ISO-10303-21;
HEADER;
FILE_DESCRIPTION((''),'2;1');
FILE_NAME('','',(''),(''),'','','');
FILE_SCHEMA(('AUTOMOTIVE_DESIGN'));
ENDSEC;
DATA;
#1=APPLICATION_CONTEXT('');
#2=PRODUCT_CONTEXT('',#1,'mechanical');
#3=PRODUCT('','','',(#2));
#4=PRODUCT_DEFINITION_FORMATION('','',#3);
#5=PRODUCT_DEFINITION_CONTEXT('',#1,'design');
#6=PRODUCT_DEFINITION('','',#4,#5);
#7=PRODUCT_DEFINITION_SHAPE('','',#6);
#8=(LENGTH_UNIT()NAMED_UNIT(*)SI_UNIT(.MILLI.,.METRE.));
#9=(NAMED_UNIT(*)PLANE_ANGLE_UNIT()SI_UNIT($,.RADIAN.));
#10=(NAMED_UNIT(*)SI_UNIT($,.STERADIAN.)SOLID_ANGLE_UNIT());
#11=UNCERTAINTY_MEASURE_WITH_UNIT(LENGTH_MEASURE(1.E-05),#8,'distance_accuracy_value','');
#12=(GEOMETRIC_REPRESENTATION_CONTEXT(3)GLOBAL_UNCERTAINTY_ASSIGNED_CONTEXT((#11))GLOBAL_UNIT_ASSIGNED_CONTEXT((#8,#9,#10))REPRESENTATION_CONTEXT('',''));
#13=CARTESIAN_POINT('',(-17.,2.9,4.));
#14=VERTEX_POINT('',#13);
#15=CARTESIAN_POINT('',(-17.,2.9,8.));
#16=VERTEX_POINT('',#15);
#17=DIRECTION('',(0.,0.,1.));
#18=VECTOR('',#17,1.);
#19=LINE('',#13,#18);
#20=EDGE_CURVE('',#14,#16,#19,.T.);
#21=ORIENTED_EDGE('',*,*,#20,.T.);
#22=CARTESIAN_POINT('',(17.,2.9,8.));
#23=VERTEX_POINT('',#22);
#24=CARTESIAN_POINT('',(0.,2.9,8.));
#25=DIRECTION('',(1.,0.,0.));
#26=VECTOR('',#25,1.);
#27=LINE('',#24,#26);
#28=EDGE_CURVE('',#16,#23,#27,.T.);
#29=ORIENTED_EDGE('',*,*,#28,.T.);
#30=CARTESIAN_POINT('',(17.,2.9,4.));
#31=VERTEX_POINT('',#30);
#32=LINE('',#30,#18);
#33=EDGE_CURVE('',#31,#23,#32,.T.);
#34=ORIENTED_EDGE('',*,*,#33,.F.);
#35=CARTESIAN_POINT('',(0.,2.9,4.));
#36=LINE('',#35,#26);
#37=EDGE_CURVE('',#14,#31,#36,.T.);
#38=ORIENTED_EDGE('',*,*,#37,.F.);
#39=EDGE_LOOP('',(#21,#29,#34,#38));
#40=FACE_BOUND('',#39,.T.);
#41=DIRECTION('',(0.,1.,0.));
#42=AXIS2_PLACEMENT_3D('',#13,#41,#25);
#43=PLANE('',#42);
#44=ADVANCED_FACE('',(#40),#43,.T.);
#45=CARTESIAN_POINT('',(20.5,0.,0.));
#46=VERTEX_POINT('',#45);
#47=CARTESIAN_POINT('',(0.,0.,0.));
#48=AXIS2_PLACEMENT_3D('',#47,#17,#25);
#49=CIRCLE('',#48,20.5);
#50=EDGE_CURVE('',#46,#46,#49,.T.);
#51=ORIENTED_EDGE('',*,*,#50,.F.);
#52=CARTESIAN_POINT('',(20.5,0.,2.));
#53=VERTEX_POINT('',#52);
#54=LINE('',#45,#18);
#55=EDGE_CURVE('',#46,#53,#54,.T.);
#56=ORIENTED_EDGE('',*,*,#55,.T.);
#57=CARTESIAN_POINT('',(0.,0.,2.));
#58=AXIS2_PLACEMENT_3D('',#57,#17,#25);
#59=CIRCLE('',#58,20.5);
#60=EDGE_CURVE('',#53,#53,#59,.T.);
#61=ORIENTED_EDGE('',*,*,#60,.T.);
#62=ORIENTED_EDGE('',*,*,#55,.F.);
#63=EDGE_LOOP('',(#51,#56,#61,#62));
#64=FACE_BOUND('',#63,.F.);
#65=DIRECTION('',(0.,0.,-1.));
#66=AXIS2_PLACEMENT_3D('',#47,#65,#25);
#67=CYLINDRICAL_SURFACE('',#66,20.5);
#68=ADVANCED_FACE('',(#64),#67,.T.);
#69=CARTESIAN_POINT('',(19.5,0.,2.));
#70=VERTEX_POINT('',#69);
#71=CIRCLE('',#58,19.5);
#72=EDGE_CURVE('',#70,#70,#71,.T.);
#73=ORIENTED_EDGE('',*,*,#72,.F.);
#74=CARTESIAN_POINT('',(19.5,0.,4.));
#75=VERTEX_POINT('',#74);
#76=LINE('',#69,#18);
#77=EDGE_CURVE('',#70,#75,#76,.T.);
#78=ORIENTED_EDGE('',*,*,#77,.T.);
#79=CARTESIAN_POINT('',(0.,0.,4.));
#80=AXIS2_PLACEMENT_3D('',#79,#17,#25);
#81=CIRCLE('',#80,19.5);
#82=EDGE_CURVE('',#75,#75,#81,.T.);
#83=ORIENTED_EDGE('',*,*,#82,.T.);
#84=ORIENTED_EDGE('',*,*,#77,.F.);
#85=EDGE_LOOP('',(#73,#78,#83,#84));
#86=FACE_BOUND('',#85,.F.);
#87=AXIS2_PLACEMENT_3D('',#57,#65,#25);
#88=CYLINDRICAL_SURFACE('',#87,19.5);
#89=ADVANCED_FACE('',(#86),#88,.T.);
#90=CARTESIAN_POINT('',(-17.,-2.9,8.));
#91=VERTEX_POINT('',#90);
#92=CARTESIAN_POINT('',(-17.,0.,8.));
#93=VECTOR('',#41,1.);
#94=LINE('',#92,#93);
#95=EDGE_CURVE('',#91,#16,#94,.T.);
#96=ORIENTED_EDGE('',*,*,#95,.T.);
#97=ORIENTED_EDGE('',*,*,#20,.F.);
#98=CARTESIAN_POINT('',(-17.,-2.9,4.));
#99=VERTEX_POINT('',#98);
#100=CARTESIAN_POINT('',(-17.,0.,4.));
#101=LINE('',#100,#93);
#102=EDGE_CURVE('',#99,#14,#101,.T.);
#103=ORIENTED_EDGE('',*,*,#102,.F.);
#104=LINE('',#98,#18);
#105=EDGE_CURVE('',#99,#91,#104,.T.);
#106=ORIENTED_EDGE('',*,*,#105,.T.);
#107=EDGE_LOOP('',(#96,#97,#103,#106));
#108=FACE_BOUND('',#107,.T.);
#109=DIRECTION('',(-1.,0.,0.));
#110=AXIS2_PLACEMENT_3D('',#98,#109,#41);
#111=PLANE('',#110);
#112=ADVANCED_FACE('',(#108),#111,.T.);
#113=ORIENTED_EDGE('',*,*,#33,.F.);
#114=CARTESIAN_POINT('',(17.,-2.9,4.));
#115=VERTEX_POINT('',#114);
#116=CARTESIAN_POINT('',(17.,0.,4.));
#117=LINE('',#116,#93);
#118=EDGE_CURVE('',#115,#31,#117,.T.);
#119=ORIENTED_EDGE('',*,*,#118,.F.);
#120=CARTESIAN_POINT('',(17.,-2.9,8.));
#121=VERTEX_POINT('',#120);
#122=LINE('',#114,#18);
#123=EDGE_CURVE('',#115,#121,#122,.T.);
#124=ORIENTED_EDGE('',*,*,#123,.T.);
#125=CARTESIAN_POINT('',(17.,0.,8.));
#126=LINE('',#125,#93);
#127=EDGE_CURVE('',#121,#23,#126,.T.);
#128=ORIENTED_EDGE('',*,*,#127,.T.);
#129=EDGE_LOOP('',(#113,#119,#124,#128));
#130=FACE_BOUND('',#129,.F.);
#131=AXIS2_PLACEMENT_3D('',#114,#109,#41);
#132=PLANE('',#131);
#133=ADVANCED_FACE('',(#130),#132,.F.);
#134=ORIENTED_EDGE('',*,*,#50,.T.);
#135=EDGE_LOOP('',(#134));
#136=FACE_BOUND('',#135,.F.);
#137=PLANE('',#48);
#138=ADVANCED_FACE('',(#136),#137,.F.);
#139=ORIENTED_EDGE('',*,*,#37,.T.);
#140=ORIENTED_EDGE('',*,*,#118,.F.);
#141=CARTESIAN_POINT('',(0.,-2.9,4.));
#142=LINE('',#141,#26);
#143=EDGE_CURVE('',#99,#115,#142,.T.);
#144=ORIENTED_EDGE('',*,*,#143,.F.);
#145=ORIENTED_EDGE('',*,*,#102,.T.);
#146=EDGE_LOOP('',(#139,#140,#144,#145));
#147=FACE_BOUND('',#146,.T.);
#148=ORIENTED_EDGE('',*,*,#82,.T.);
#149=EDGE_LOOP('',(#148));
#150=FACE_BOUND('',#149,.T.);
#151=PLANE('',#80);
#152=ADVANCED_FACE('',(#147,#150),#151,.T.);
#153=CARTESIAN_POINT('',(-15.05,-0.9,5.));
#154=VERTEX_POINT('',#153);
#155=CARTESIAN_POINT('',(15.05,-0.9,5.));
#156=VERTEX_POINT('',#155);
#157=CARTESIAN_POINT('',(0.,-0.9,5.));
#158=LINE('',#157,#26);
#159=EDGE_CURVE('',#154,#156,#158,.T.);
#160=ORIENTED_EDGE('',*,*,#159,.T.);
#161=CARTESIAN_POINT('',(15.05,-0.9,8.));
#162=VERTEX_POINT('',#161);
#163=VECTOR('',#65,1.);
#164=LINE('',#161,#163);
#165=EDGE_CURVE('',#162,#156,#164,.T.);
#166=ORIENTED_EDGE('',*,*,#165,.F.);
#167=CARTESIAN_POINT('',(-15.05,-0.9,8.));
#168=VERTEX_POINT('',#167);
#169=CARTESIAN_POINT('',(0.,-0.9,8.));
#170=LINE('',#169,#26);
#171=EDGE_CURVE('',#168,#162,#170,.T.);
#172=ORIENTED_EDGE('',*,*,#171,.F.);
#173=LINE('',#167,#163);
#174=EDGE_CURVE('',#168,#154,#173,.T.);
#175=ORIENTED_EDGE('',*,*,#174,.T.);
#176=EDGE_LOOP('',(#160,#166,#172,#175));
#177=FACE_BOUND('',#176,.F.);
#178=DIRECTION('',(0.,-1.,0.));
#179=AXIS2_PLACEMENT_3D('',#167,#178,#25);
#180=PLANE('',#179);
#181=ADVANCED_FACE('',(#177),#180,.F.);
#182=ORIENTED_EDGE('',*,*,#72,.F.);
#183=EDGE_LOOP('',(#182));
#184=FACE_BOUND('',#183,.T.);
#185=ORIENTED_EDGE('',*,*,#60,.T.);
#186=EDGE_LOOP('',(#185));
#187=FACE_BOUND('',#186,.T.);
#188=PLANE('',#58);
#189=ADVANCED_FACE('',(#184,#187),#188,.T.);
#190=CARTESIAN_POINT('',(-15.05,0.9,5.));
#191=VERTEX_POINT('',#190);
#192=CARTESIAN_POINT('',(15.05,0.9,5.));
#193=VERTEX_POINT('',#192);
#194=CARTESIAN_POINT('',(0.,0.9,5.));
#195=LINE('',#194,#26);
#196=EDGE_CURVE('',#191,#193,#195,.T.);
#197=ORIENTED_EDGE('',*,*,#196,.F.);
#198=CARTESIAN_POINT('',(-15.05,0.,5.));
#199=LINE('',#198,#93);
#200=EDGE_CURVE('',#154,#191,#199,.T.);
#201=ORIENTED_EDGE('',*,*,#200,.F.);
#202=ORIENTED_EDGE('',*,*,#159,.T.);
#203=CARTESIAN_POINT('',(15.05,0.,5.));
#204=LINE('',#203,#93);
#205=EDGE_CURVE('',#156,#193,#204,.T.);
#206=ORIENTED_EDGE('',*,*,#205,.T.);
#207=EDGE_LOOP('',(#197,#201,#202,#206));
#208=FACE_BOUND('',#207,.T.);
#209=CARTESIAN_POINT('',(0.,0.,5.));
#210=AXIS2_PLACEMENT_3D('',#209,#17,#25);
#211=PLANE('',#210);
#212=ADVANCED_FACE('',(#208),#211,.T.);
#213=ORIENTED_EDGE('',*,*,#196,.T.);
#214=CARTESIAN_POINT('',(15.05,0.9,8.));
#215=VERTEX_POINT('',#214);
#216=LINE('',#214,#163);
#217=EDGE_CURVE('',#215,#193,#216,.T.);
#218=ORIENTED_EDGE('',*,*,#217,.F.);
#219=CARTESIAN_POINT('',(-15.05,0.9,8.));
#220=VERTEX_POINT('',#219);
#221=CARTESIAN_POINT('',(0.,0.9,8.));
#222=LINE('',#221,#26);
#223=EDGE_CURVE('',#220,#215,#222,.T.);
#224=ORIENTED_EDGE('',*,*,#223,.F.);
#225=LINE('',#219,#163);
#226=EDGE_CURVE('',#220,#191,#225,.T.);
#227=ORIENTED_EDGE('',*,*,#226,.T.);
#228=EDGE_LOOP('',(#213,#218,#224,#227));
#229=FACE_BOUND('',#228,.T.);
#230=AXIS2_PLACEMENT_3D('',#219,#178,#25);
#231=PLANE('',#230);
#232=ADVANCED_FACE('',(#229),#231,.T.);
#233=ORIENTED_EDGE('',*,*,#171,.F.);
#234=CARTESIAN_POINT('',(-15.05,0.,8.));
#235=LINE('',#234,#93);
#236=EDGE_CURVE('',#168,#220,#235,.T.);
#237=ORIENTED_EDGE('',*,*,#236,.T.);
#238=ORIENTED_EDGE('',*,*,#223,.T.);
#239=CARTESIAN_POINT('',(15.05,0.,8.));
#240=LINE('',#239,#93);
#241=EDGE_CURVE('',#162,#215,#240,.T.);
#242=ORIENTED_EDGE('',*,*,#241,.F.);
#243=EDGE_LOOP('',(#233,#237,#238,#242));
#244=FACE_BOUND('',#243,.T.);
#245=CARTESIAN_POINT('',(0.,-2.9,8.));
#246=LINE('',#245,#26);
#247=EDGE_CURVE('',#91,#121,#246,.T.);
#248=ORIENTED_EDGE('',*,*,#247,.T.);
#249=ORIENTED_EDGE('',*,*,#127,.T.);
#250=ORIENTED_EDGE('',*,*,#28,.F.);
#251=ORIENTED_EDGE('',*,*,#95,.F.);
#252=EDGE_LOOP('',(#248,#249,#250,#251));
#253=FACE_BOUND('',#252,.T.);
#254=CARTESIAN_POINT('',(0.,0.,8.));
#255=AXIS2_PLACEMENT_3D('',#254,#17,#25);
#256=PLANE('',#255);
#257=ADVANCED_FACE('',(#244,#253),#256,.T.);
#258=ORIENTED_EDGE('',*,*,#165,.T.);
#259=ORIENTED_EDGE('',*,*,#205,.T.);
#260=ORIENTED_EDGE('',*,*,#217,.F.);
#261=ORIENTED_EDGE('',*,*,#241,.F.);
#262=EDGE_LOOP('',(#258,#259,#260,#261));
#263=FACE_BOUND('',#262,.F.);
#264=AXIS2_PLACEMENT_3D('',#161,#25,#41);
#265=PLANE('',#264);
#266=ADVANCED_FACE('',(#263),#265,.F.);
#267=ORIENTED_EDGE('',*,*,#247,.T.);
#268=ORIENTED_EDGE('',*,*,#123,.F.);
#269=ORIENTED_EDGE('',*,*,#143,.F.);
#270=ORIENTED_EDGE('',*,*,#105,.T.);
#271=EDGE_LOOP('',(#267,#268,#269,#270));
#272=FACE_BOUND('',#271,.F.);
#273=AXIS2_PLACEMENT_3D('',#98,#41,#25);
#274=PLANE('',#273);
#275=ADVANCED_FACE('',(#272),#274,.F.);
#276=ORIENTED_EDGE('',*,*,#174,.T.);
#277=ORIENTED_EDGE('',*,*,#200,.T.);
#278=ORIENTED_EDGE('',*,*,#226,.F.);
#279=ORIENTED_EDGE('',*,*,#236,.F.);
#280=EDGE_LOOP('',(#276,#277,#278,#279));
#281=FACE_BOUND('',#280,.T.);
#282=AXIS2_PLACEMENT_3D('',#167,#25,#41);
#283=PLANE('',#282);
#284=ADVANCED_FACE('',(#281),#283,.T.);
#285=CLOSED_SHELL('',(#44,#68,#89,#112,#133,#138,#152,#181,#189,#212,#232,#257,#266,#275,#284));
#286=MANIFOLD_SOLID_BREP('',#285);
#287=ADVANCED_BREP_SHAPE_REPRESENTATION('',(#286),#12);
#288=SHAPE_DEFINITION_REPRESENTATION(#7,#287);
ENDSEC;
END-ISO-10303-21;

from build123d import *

# Parameters (mm, degrees)
SKETCH_R     = 20.5
PAD_DEPTH    = 2
SKETCH001_R  = 19.5
PAD001_DEPTH = 2
SKETCH002_W  = 34
SKETCH002_H  = 5.8
PAD002_DEPTH = 4
SKETCH003_W  = 30.1
SKETCH003_H  = 1.8
POCKET_DEPTH = 3


with BuildPart() as part:
    # Sketch → Pad (new body)
    with BuildSketch(Plane.XY):
        Circle(SKETCH_R)
    extrude(amount=PAD_DEPTH)

    # Sketch001 (on Face3 of Pad) → Pad001 (join)
    with BuildSketch(Plane.XY.offset(2)):
        Circle(SKETCH001_R)
    extrude(amount=PAD001_DEPTH)

    # Sketch002 (on Face5 of Pad001) → Pad002 (join)
    with BuildSketch(Plane.XY.offset(4)):
        Rectangle(SKETCH002_W, SKETCH002_H)
    extrude(amount=PAD002_DEPTH)

    # Sketch003 (on Face10 of Pad002) → Pocket (cut)
    with BuildSketch(Plane.XY.offset(8)):
        Rectangle(SKETCH003_W, SKETCH003_H)
    extrude(amount=-POCKET_DEPTH, mode=Mode.SUBTRACT)


solid = part.part
